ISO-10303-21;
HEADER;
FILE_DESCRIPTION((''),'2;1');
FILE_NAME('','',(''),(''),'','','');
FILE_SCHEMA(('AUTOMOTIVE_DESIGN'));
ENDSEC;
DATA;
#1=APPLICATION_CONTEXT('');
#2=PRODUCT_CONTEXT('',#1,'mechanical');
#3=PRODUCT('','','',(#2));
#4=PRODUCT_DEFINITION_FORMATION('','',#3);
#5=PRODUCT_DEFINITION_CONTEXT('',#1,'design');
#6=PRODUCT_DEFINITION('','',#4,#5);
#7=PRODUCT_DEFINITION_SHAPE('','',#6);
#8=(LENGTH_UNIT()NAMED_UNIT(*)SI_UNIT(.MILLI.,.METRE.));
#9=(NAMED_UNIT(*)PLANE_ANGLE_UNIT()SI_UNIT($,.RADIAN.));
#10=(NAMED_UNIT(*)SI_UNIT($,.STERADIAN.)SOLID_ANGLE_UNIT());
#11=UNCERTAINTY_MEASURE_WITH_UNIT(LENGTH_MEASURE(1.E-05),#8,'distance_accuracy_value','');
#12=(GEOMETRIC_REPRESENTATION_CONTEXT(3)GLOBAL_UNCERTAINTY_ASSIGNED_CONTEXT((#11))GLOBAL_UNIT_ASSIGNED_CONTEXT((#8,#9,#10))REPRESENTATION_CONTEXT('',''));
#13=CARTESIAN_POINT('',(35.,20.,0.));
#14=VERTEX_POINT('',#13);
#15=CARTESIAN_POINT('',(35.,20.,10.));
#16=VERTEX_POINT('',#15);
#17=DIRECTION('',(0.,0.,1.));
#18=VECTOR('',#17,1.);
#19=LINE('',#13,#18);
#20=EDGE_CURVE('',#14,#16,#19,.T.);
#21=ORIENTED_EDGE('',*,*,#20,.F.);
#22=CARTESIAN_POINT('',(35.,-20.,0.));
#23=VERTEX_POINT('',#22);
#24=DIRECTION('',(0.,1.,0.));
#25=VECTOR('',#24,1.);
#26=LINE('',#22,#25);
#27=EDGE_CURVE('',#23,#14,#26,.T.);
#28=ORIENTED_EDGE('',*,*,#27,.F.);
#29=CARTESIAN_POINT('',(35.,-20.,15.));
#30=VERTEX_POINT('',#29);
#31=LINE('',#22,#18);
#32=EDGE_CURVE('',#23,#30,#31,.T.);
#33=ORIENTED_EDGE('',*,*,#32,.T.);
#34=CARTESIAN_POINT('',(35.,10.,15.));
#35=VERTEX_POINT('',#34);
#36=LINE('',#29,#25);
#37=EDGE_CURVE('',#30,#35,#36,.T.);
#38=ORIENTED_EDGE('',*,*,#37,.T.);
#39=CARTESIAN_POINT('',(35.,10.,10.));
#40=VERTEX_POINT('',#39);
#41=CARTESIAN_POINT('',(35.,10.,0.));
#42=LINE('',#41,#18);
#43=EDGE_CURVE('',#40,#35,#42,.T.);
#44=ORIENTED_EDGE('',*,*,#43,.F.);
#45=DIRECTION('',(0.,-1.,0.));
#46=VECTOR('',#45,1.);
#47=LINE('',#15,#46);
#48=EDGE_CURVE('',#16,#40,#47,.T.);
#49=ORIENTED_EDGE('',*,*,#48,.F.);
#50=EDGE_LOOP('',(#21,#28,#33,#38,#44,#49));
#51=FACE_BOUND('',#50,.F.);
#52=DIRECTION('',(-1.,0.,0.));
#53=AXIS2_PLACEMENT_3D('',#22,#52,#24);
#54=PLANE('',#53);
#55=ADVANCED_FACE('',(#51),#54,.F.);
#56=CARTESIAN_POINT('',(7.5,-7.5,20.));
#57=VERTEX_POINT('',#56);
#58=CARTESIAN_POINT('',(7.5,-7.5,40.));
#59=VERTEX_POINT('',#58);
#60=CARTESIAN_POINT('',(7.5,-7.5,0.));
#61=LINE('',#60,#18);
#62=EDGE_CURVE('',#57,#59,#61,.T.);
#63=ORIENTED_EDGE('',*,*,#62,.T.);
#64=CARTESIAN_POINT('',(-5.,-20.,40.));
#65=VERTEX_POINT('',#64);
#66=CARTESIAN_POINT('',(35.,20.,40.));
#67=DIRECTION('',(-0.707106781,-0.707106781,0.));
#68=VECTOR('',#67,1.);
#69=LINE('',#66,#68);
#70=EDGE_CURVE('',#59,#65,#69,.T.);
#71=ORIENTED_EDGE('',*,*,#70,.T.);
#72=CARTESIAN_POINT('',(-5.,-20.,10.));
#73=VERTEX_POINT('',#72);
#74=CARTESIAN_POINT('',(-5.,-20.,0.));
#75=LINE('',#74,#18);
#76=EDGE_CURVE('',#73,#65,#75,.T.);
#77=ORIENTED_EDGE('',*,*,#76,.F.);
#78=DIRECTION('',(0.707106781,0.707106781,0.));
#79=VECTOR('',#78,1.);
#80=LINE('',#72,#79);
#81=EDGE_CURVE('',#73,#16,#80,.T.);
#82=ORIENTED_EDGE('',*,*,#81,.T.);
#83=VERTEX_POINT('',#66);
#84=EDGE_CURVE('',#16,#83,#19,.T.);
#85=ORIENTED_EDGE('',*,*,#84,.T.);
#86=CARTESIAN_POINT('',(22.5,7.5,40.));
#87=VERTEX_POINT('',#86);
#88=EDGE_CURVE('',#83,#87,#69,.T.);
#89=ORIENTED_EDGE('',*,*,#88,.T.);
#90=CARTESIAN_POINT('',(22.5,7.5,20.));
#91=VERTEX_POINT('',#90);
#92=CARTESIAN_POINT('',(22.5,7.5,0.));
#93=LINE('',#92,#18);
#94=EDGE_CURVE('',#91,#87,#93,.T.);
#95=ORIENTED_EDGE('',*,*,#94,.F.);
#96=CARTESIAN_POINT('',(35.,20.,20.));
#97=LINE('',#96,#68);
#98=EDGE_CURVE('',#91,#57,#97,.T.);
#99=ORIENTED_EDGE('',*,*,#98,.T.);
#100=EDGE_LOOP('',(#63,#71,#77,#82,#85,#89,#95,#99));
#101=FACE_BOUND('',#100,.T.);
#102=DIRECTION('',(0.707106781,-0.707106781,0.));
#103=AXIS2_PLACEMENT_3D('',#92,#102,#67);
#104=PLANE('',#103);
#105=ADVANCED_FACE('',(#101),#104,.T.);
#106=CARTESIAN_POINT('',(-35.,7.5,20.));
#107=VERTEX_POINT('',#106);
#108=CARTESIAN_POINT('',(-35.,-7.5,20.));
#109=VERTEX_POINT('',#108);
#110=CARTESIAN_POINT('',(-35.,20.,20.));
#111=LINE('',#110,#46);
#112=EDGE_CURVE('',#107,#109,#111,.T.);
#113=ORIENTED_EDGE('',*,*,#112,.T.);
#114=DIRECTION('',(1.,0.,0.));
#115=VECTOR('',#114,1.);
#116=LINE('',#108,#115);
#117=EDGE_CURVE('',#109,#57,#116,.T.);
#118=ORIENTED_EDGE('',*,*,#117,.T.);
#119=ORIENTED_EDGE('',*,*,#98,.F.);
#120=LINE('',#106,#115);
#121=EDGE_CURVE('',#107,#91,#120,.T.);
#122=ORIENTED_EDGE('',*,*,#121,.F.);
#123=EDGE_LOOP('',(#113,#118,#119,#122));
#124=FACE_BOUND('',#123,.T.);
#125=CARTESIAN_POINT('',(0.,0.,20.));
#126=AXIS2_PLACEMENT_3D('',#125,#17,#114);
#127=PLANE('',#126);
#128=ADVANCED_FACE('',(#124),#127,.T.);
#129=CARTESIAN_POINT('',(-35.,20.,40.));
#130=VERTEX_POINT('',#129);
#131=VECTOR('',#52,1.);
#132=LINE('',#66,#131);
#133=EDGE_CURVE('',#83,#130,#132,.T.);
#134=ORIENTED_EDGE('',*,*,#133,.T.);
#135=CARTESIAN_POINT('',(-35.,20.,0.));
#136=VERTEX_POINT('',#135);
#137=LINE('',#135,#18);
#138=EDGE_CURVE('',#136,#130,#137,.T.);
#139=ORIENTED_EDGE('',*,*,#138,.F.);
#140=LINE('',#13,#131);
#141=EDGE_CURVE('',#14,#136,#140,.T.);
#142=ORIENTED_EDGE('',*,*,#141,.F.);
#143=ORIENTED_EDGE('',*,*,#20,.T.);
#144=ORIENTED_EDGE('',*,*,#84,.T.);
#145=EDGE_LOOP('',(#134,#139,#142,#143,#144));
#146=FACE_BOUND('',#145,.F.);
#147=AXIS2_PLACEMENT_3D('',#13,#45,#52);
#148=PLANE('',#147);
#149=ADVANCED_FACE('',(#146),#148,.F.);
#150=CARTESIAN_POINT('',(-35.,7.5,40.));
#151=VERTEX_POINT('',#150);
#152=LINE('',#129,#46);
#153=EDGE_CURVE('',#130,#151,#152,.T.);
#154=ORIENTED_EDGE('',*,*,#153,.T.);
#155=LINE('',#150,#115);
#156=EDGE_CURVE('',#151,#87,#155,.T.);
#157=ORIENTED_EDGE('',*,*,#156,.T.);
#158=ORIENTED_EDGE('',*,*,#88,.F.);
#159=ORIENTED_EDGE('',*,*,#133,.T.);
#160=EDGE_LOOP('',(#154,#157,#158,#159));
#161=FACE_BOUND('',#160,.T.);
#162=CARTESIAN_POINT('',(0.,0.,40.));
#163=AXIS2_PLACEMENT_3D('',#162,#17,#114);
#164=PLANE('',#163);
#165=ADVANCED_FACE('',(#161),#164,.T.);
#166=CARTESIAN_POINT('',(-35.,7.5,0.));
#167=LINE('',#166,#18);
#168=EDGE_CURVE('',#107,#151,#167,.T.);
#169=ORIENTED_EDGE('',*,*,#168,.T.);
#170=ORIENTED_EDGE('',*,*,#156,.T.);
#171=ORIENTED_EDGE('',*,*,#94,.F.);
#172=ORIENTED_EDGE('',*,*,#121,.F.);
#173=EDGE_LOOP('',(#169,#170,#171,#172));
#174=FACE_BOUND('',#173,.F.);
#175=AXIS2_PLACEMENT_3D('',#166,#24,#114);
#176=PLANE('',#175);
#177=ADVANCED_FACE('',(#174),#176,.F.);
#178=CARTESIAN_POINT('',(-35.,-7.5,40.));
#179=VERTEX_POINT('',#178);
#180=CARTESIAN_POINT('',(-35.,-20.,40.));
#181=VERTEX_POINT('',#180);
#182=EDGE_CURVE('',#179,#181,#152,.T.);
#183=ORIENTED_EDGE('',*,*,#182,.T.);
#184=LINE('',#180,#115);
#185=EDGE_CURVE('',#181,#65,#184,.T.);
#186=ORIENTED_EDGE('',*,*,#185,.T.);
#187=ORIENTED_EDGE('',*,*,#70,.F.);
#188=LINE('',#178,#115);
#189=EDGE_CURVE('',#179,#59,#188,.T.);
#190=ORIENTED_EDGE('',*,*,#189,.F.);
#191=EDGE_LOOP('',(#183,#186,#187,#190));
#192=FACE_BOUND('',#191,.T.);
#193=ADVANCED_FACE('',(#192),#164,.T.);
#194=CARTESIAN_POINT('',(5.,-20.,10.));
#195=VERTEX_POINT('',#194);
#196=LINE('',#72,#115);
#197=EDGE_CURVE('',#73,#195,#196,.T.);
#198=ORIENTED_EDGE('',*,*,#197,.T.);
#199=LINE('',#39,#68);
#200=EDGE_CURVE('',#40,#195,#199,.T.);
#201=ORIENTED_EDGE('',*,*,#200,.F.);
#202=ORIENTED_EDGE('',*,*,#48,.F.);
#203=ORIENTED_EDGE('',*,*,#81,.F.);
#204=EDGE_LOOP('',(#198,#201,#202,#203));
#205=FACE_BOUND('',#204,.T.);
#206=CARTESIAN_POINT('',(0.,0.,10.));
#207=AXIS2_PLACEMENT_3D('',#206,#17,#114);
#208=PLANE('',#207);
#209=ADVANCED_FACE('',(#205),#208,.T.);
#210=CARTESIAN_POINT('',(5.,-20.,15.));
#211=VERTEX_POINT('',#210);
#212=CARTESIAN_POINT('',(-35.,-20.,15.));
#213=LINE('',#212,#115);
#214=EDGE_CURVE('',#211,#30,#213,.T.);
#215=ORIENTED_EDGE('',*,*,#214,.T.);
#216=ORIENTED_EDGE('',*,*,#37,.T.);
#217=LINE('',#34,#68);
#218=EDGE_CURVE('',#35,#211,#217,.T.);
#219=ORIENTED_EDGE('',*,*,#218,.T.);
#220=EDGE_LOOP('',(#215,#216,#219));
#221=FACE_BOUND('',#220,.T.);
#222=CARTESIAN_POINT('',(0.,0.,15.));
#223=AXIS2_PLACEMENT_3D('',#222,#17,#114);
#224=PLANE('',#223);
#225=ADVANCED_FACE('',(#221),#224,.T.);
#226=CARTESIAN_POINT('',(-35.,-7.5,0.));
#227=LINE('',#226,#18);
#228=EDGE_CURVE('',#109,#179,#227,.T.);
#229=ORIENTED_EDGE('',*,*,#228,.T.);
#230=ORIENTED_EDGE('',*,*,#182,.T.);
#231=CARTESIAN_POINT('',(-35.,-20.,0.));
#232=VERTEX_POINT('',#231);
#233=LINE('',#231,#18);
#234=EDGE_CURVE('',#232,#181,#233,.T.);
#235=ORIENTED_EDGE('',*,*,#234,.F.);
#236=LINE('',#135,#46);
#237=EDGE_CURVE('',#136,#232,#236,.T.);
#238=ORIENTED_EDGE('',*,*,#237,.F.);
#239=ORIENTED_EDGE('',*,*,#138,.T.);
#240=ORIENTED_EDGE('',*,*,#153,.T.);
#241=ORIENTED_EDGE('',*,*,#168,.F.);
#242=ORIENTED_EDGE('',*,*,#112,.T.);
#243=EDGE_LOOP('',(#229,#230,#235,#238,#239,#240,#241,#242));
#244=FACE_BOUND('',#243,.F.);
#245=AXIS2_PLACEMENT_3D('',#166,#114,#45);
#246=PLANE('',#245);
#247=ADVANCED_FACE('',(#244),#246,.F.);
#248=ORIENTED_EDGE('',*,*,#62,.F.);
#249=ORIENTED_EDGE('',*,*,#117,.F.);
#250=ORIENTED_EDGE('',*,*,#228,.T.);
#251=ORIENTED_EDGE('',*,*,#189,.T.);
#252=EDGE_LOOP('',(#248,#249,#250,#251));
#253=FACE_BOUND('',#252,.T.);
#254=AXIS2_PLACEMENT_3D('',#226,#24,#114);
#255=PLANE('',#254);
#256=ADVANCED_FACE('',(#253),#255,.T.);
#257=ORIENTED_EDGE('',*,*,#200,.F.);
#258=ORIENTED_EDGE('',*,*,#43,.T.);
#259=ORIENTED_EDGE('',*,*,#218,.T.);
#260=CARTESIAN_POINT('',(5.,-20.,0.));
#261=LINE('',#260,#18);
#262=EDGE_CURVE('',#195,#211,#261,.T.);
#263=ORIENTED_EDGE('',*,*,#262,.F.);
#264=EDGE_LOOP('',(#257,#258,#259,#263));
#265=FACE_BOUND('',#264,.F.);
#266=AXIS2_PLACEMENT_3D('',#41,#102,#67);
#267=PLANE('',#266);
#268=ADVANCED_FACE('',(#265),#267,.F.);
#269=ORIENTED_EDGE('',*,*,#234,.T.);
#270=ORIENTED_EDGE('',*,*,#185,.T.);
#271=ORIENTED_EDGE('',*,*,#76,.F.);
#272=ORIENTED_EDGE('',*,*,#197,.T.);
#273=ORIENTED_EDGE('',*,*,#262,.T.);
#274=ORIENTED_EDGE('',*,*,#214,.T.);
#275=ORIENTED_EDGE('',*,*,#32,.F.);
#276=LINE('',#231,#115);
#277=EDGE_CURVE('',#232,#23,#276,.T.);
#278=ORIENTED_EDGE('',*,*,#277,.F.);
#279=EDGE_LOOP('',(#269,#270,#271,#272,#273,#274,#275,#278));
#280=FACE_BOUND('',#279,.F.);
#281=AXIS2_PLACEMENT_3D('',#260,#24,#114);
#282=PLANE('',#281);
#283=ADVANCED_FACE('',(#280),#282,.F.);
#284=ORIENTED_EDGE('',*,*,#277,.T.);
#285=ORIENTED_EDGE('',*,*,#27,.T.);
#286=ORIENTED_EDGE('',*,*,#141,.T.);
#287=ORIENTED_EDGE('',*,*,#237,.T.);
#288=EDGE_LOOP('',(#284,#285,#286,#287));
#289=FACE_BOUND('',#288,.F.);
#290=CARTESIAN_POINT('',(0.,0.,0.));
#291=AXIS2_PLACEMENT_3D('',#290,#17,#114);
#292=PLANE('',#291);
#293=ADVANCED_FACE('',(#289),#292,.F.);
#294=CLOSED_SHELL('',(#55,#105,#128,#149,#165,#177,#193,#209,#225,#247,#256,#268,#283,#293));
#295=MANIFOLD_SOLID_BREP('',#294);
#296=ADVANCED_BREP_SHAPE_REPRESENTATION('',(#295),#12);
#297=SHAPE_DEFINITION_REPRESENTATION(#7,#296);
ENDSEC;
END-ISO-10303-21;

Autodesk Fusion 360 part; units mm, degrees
sketch "Sketch1" plane through (0, 0, 0) normal (0, 0, 1) x (1, 0, 0)
  line L0 (35, 20) -> (-35, 20)
  line L1 (-35, 20) -> (-35, -20)
  line L2 (-35, -20) -> (35, -20)
  line L3 (35, -20) -> (35, 20)
  line L4 (0, -20) -> (-5, -20)
  line L5 (0, -20) -> (5, -20)
  line L6 (35, 20) -> (35, 15)
  line L7 (35, 15) -> (35, 10)
  line L8 (35, 10) -> (5, -20)
  line L9 (35, 20) -> (-5, -20)
  line L10 (-35, -7.5) -> (7.5, -7.5)
  line L11 (-35, 7.5) -> (22.5, 7.5)
  dimension "d8" = 70
  dimension "d9" = 40
  dimension "d14" = 5
  dimension "d15" = 5
  dimension "d16" = 5
  dimension "d17" = 5
extrude "Extrude1" add sketch "Sketch1" along normal blind 10 contours L2 L3 L4 L5 L6 L7 L8 L9
extrude "Extrude2" add sketch "Sketch1" along normal blind 40 contours L0 L1 L9 L11 | L1 L2 L9 L10
extrude "Extrude3" add sketch "Sketch1" along normal blind 15 contours L2 L3 L8
extrude "Extrude4" add sketch "Sketch1" along normal blind 20 contours L1 L9 L10 L11
